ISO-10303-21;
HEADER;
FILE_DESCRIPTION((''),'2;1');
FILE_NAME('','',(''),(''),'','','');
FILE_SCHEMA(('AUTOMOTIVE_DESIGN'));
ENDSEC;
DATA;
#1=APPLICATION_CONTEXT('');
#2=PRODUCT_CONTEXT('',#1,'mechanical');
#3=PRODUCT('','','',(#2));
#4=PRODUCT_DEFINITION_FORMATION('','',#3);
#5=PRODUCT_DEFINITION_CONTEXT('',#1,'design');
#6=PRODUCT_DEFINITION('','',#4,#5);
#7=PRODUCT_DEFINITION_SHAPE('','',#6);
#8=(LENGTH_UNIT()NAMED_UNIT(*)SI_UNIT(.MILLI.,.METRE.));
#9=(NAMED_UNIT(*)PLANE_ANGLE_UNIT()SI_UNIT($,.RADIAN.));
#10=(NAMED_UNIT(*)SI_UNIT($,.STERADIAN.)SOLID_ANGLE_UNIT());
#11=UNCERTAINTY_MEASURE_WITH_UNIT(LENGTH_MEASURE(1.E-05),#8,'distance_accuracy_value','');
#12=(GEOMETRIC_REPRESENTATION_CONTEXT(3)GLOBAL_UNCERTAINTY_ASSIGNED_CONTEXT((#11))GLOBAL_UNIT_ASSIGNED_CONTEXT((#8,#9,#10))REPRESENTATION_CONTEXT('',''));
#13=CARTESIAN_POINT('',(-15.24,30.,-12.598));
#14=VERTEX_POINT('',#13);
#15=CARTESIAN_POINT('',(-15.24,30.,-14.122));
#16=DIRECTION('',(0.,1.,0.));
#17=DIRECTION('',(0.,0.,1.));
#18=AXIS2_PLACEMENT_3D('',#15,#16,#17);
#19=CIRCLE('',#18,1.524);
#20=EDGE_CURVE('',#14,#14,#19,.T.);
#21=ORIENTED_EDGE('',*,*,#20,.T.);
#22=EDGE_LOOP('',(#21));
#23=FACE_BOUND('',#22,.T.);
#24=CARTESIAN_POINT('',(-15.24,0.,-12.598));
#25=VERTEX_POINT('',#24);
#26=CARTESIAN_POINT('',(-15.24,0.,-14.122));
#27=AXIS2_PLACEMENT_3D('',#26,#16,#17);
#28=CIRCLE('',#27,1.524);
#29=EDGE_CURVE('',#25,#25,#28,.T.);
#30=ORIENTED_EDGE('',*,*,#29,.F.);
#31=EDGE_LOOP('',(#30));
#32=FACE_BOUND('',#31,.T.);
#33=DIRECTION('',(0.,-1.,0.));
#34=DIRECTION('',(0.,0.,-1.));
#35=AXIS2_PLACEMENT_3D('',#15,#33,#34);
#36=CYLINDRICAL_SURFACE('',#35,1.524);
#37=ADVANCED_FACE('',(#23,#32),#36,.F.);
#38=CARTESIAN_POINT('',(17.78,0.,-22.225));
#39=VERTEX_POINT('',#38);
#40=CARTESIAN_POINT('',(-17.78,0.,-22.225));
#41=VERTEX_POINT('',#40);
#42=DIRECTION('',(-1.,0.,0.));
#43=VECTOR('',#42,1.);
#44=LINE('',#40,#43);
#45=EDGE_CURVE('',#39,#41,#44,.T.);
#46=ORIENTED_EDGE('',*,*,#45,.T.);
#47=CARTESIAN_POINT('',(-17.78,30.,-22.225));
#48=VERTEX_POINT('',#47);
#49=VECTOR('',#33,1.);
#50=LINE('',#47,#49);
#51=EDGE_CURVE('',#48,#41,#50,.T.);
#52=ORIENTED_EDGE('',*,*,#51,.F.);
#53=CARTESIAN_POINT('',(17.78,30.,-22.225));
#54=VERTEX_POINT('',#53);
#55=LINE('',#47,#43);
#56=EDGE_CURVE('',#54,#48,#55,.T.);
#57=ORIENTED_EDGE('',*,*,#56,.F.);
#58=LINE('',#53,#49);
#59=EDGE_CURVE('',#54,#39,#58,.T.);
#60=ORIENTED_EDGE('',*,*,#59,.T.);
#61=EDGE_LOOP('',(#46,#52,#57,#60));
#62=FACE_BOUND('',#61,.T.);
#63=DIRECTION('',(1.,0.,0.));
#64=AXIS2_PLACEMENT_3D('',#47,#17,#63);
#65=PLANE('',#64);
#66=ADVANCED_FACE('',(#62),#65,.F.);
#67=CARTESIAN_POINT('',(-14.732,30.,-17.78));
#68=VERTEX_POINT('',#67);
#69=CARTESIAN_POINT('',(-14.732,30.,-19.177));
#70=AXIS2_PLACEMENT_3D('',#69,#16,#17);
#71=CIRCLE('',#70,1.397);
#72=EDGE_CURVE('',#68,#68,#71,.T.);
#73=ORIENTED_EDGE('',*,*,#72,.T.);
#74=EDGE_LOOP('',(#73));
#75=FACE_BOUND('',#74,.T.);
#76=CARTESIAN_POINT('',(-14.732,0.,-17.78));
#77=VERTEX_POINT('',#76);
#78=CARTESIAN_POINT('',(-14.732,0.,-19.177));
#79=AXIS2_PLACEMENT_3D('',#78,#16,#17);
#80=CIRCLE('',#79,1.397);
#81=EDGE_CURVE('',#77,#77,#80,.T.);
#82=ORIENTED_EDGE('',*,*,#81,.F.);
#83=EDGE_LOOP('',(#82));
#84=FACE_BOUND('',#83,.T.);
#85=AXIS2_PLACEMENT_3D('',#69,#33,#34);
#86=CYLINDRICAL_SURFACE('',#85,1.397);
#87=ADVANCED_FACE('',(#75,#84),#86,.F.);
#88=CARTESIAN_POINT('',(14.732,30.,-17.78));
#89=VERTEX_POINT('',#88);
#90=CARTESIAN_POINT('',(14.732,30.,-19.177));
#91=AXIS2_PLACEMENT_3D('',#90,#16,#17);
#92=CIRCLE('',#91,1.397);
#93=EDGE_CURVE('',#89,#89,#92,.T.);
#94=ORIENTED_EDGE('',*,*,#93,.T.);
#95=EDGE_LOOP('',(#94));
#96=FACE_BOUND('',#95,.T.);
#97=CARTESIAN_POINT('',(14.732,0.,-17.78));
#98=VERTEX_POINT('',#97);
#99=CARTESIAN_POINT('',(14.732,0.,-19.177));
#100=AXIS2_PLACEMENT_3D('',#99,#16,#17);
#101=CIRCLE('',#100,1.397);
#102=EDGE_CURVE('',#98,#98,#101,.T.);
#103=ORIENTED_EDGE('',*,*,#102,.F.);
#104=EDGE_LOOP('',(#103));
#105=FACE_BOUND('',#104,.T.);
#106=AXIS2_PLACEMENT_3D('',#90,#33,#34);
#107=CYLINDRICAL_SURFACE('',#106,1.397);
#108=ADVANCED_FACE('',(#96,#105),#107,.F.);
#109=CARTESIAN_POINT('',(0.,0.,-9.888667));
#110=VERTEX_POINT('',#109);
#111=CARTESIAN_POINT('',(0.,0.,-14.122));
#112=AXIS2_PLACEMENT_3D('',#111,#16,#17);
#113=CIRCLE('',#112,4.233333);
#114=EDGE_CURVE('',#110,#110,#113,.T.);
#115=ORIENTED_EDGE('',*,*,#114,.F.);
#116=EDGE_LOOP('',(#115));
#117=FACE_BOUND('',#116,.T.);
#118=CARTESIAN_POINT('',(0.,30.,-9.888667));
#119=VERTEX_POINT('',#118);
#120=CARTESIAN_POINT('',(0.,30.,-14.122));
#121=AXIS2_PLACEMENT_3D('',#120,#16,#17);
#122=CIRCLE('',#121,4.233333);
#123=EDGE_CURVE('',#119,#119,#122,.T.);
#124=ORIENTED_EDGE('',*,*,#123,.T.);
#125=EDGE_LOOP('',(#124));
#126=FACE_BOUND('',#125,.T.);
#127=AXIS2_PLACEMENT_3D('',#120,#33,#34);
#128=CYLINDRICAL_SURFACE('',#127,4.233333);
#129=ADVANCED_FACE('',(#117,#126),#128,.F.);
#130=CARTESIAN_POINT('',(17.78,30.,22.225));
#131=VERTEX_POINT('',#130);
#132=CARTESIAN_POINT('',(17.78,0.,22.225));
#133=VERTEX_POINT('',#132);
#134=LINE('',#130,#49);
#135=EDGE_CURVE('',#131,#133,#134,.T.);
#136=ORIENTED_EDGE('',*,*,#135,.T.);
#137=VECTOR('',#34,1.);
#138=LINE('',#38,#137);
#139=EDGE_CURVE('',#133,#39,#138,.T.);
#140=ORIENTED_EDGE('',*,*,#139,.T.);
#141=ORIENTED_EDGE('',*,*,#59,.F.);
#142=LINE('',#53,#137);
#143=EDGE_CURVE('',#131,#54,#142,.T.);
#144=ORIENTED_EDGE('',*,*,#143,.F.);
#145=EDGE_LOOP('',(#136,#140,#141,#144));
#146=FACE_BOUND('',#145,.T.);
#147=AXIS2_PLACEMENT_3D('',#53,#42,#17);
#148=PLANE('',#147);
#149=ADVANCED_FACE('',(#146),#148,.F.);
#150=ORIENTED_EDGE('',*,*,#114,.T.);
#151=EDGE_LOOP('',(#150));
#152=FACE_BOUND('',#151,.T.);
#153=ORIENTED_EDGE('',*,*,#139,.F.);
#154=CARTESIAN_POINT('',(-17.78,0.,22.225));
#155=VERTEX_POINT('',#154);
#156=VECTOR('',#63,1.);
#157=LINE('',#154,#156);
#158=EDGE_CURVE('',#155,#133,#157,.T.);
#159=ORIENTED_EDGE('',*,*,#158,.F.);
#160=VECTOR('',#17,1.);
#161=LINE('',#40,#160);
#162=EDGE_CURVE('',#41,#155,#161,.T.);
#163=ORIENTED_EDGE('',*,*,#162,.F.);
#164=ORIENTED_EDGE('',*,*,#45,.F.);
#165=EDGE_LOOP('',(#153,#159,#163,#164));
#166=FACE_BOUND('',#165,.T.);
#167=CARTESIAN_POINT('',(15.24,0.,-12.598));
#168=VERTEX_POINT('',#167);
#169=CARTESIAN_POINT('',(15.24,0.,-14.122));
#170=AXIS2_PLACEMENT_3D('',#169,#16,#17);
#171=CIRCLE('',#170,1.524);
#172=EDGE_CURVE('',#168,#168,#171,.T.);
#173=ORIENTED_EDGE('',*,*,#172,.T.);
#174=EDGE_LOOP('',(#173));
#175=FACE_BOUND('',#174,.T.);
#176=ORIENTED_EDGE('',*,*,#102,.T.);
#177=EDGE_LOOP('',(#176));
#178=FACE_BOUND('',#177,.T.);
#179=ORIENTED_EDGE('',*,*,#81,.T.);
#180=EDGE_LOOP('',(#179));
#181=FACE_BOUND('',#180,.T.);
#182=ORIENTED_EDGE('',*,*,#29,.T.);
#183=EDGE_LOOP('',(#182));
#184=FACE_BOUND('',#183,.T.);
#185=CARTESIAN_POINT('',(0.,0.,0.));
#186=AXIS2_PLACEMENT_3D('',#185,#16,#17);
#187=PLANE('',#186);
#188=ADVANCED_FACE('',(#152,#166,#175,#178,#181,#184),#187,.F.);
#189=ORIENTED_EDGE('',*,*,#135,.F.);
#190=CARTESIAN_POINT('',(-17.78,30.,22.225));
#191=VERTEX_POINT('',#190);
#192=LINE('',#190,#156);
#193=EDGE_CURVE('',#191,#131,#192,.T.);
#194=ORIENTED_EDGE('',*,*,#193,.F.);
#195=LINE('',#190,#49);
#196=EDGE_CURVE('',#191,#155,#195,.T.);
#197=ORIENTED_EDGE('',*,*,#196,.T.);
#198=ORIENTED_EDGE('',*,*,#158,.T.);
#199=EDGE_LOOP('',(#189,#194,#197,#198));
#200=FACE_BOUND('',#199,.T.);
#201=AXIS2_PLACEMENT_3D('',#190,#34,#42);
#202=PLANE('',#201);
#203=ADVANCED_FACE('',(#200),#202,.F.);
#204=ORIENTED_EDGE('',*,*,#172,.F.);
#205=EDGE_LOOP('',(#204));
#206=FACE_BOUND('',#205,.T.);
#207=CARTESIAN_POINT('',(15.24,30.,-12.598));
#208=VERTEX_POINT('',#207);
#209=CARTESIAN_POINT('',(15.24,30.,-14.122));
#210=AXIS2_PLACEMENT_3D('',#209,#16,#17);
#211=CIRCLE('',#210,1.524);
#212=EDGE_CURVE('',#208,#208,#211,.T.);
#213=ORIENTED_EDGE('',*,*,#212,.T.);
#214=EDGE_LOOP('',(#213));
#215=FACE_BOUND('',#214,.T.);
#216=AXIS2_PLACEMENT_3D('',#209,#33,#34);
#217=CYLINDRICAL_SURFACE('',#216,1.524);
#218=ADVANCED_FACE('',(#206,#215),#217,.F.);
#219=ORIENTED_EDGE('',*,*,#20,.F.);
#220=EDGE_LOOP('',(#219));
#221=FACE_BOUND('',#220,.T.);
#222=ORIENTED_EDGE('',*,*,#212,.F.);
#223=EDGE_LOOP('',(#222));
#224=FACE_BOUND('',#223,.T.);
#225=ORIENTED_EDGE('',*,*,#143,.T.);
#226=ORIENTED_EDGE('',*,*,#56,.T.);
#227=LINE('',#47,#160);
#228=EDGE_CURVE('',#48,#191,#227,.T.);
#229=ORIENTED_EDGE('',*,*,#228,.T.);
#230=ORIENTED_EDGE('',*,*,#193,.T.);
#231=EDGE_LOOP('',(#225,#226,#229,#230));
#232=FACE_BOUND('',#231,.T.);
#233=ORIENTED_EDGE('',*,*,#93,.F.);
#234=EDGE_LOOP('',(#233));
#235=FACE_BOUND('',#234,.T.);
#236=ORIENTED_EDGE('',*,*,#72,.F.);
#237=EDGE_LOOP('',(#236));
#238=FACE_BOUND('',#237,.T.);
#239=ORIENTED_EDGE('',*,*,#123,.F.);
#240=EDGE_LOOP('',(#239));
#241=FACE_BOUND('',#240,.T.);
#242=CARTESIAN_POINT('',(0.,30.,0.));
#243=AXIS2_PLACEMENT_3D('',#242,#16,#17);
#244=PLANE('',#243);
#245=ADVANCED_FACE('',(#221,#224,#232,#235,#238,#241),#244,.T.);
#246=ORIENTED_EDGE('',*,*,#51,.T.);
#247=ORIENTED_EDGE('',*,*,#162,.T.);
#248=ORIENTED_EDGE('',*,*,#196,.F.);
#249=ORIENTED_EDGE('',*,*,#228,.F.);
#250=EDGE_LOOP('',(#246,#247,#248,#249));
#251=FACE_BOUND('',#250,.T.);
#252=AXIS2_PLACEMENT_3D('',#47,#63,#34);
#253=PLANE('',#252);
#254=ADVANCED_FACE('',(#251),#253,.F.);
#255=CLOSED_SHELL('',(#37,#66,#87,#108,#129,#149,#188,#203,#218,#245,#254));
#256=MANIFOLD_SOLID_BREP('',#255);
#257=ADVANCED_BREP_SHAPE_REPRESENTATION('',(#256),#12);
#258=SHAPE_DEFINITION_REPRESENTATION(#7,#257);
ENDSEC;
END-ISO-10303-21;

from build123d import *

# Parameters (mm, degrees)
SKETCH_1_W      = 35.56
SKETCH_1_H      = 44.45
SKETCH_1_R      = 1.397
SKETCH_1_R_2    = 1.524
SKETCH_1_R_3    = 4.233333333
EXTRUDE_1_DEPTH = 30


with BuildPart() as part:
    # 草图1 → 凸台-拉伸1 (new body)
    with BuildSketch(Plane(origin=(0, 0, 0), x_dir=(1, 0, 0), z_dir=(0, 1, 0))):
        Rectangle(SKETCH_1_W, SKETCH_1_H)
        with Locations(Location((-14.732, 19.177, 0), (0, 0, 270))):
            Circle(SKETCH_1_R, mode=Mode.SUBTRACT)
        with Locations(Location((14.732, 19.177, 0), (0, 0, 270))):
            Circle(SKETCH_1_R, mode=Mode.SUBTRACT)
        with Locations(Location((-15.24, 14.122, 0), (0, 0, 270))):
            Circle(SKETCH_1_R_2, mode=Mode.SUBTRACT)
        with Locations(Location((15.24, 14.122, 0), (0, 0, 270))):
            Circle(SKETCH_1_R_2, mode=Mode.SUBTRACT)
        with Locations(Location((0, 14.122, 0), (0, 0, 270))):
            Circle(SKETCH_1_R_3, mode=Mode.SUBTRACT)
    extrude(amount=EXTRUDE_1_DEPTH)


solid = part.part
